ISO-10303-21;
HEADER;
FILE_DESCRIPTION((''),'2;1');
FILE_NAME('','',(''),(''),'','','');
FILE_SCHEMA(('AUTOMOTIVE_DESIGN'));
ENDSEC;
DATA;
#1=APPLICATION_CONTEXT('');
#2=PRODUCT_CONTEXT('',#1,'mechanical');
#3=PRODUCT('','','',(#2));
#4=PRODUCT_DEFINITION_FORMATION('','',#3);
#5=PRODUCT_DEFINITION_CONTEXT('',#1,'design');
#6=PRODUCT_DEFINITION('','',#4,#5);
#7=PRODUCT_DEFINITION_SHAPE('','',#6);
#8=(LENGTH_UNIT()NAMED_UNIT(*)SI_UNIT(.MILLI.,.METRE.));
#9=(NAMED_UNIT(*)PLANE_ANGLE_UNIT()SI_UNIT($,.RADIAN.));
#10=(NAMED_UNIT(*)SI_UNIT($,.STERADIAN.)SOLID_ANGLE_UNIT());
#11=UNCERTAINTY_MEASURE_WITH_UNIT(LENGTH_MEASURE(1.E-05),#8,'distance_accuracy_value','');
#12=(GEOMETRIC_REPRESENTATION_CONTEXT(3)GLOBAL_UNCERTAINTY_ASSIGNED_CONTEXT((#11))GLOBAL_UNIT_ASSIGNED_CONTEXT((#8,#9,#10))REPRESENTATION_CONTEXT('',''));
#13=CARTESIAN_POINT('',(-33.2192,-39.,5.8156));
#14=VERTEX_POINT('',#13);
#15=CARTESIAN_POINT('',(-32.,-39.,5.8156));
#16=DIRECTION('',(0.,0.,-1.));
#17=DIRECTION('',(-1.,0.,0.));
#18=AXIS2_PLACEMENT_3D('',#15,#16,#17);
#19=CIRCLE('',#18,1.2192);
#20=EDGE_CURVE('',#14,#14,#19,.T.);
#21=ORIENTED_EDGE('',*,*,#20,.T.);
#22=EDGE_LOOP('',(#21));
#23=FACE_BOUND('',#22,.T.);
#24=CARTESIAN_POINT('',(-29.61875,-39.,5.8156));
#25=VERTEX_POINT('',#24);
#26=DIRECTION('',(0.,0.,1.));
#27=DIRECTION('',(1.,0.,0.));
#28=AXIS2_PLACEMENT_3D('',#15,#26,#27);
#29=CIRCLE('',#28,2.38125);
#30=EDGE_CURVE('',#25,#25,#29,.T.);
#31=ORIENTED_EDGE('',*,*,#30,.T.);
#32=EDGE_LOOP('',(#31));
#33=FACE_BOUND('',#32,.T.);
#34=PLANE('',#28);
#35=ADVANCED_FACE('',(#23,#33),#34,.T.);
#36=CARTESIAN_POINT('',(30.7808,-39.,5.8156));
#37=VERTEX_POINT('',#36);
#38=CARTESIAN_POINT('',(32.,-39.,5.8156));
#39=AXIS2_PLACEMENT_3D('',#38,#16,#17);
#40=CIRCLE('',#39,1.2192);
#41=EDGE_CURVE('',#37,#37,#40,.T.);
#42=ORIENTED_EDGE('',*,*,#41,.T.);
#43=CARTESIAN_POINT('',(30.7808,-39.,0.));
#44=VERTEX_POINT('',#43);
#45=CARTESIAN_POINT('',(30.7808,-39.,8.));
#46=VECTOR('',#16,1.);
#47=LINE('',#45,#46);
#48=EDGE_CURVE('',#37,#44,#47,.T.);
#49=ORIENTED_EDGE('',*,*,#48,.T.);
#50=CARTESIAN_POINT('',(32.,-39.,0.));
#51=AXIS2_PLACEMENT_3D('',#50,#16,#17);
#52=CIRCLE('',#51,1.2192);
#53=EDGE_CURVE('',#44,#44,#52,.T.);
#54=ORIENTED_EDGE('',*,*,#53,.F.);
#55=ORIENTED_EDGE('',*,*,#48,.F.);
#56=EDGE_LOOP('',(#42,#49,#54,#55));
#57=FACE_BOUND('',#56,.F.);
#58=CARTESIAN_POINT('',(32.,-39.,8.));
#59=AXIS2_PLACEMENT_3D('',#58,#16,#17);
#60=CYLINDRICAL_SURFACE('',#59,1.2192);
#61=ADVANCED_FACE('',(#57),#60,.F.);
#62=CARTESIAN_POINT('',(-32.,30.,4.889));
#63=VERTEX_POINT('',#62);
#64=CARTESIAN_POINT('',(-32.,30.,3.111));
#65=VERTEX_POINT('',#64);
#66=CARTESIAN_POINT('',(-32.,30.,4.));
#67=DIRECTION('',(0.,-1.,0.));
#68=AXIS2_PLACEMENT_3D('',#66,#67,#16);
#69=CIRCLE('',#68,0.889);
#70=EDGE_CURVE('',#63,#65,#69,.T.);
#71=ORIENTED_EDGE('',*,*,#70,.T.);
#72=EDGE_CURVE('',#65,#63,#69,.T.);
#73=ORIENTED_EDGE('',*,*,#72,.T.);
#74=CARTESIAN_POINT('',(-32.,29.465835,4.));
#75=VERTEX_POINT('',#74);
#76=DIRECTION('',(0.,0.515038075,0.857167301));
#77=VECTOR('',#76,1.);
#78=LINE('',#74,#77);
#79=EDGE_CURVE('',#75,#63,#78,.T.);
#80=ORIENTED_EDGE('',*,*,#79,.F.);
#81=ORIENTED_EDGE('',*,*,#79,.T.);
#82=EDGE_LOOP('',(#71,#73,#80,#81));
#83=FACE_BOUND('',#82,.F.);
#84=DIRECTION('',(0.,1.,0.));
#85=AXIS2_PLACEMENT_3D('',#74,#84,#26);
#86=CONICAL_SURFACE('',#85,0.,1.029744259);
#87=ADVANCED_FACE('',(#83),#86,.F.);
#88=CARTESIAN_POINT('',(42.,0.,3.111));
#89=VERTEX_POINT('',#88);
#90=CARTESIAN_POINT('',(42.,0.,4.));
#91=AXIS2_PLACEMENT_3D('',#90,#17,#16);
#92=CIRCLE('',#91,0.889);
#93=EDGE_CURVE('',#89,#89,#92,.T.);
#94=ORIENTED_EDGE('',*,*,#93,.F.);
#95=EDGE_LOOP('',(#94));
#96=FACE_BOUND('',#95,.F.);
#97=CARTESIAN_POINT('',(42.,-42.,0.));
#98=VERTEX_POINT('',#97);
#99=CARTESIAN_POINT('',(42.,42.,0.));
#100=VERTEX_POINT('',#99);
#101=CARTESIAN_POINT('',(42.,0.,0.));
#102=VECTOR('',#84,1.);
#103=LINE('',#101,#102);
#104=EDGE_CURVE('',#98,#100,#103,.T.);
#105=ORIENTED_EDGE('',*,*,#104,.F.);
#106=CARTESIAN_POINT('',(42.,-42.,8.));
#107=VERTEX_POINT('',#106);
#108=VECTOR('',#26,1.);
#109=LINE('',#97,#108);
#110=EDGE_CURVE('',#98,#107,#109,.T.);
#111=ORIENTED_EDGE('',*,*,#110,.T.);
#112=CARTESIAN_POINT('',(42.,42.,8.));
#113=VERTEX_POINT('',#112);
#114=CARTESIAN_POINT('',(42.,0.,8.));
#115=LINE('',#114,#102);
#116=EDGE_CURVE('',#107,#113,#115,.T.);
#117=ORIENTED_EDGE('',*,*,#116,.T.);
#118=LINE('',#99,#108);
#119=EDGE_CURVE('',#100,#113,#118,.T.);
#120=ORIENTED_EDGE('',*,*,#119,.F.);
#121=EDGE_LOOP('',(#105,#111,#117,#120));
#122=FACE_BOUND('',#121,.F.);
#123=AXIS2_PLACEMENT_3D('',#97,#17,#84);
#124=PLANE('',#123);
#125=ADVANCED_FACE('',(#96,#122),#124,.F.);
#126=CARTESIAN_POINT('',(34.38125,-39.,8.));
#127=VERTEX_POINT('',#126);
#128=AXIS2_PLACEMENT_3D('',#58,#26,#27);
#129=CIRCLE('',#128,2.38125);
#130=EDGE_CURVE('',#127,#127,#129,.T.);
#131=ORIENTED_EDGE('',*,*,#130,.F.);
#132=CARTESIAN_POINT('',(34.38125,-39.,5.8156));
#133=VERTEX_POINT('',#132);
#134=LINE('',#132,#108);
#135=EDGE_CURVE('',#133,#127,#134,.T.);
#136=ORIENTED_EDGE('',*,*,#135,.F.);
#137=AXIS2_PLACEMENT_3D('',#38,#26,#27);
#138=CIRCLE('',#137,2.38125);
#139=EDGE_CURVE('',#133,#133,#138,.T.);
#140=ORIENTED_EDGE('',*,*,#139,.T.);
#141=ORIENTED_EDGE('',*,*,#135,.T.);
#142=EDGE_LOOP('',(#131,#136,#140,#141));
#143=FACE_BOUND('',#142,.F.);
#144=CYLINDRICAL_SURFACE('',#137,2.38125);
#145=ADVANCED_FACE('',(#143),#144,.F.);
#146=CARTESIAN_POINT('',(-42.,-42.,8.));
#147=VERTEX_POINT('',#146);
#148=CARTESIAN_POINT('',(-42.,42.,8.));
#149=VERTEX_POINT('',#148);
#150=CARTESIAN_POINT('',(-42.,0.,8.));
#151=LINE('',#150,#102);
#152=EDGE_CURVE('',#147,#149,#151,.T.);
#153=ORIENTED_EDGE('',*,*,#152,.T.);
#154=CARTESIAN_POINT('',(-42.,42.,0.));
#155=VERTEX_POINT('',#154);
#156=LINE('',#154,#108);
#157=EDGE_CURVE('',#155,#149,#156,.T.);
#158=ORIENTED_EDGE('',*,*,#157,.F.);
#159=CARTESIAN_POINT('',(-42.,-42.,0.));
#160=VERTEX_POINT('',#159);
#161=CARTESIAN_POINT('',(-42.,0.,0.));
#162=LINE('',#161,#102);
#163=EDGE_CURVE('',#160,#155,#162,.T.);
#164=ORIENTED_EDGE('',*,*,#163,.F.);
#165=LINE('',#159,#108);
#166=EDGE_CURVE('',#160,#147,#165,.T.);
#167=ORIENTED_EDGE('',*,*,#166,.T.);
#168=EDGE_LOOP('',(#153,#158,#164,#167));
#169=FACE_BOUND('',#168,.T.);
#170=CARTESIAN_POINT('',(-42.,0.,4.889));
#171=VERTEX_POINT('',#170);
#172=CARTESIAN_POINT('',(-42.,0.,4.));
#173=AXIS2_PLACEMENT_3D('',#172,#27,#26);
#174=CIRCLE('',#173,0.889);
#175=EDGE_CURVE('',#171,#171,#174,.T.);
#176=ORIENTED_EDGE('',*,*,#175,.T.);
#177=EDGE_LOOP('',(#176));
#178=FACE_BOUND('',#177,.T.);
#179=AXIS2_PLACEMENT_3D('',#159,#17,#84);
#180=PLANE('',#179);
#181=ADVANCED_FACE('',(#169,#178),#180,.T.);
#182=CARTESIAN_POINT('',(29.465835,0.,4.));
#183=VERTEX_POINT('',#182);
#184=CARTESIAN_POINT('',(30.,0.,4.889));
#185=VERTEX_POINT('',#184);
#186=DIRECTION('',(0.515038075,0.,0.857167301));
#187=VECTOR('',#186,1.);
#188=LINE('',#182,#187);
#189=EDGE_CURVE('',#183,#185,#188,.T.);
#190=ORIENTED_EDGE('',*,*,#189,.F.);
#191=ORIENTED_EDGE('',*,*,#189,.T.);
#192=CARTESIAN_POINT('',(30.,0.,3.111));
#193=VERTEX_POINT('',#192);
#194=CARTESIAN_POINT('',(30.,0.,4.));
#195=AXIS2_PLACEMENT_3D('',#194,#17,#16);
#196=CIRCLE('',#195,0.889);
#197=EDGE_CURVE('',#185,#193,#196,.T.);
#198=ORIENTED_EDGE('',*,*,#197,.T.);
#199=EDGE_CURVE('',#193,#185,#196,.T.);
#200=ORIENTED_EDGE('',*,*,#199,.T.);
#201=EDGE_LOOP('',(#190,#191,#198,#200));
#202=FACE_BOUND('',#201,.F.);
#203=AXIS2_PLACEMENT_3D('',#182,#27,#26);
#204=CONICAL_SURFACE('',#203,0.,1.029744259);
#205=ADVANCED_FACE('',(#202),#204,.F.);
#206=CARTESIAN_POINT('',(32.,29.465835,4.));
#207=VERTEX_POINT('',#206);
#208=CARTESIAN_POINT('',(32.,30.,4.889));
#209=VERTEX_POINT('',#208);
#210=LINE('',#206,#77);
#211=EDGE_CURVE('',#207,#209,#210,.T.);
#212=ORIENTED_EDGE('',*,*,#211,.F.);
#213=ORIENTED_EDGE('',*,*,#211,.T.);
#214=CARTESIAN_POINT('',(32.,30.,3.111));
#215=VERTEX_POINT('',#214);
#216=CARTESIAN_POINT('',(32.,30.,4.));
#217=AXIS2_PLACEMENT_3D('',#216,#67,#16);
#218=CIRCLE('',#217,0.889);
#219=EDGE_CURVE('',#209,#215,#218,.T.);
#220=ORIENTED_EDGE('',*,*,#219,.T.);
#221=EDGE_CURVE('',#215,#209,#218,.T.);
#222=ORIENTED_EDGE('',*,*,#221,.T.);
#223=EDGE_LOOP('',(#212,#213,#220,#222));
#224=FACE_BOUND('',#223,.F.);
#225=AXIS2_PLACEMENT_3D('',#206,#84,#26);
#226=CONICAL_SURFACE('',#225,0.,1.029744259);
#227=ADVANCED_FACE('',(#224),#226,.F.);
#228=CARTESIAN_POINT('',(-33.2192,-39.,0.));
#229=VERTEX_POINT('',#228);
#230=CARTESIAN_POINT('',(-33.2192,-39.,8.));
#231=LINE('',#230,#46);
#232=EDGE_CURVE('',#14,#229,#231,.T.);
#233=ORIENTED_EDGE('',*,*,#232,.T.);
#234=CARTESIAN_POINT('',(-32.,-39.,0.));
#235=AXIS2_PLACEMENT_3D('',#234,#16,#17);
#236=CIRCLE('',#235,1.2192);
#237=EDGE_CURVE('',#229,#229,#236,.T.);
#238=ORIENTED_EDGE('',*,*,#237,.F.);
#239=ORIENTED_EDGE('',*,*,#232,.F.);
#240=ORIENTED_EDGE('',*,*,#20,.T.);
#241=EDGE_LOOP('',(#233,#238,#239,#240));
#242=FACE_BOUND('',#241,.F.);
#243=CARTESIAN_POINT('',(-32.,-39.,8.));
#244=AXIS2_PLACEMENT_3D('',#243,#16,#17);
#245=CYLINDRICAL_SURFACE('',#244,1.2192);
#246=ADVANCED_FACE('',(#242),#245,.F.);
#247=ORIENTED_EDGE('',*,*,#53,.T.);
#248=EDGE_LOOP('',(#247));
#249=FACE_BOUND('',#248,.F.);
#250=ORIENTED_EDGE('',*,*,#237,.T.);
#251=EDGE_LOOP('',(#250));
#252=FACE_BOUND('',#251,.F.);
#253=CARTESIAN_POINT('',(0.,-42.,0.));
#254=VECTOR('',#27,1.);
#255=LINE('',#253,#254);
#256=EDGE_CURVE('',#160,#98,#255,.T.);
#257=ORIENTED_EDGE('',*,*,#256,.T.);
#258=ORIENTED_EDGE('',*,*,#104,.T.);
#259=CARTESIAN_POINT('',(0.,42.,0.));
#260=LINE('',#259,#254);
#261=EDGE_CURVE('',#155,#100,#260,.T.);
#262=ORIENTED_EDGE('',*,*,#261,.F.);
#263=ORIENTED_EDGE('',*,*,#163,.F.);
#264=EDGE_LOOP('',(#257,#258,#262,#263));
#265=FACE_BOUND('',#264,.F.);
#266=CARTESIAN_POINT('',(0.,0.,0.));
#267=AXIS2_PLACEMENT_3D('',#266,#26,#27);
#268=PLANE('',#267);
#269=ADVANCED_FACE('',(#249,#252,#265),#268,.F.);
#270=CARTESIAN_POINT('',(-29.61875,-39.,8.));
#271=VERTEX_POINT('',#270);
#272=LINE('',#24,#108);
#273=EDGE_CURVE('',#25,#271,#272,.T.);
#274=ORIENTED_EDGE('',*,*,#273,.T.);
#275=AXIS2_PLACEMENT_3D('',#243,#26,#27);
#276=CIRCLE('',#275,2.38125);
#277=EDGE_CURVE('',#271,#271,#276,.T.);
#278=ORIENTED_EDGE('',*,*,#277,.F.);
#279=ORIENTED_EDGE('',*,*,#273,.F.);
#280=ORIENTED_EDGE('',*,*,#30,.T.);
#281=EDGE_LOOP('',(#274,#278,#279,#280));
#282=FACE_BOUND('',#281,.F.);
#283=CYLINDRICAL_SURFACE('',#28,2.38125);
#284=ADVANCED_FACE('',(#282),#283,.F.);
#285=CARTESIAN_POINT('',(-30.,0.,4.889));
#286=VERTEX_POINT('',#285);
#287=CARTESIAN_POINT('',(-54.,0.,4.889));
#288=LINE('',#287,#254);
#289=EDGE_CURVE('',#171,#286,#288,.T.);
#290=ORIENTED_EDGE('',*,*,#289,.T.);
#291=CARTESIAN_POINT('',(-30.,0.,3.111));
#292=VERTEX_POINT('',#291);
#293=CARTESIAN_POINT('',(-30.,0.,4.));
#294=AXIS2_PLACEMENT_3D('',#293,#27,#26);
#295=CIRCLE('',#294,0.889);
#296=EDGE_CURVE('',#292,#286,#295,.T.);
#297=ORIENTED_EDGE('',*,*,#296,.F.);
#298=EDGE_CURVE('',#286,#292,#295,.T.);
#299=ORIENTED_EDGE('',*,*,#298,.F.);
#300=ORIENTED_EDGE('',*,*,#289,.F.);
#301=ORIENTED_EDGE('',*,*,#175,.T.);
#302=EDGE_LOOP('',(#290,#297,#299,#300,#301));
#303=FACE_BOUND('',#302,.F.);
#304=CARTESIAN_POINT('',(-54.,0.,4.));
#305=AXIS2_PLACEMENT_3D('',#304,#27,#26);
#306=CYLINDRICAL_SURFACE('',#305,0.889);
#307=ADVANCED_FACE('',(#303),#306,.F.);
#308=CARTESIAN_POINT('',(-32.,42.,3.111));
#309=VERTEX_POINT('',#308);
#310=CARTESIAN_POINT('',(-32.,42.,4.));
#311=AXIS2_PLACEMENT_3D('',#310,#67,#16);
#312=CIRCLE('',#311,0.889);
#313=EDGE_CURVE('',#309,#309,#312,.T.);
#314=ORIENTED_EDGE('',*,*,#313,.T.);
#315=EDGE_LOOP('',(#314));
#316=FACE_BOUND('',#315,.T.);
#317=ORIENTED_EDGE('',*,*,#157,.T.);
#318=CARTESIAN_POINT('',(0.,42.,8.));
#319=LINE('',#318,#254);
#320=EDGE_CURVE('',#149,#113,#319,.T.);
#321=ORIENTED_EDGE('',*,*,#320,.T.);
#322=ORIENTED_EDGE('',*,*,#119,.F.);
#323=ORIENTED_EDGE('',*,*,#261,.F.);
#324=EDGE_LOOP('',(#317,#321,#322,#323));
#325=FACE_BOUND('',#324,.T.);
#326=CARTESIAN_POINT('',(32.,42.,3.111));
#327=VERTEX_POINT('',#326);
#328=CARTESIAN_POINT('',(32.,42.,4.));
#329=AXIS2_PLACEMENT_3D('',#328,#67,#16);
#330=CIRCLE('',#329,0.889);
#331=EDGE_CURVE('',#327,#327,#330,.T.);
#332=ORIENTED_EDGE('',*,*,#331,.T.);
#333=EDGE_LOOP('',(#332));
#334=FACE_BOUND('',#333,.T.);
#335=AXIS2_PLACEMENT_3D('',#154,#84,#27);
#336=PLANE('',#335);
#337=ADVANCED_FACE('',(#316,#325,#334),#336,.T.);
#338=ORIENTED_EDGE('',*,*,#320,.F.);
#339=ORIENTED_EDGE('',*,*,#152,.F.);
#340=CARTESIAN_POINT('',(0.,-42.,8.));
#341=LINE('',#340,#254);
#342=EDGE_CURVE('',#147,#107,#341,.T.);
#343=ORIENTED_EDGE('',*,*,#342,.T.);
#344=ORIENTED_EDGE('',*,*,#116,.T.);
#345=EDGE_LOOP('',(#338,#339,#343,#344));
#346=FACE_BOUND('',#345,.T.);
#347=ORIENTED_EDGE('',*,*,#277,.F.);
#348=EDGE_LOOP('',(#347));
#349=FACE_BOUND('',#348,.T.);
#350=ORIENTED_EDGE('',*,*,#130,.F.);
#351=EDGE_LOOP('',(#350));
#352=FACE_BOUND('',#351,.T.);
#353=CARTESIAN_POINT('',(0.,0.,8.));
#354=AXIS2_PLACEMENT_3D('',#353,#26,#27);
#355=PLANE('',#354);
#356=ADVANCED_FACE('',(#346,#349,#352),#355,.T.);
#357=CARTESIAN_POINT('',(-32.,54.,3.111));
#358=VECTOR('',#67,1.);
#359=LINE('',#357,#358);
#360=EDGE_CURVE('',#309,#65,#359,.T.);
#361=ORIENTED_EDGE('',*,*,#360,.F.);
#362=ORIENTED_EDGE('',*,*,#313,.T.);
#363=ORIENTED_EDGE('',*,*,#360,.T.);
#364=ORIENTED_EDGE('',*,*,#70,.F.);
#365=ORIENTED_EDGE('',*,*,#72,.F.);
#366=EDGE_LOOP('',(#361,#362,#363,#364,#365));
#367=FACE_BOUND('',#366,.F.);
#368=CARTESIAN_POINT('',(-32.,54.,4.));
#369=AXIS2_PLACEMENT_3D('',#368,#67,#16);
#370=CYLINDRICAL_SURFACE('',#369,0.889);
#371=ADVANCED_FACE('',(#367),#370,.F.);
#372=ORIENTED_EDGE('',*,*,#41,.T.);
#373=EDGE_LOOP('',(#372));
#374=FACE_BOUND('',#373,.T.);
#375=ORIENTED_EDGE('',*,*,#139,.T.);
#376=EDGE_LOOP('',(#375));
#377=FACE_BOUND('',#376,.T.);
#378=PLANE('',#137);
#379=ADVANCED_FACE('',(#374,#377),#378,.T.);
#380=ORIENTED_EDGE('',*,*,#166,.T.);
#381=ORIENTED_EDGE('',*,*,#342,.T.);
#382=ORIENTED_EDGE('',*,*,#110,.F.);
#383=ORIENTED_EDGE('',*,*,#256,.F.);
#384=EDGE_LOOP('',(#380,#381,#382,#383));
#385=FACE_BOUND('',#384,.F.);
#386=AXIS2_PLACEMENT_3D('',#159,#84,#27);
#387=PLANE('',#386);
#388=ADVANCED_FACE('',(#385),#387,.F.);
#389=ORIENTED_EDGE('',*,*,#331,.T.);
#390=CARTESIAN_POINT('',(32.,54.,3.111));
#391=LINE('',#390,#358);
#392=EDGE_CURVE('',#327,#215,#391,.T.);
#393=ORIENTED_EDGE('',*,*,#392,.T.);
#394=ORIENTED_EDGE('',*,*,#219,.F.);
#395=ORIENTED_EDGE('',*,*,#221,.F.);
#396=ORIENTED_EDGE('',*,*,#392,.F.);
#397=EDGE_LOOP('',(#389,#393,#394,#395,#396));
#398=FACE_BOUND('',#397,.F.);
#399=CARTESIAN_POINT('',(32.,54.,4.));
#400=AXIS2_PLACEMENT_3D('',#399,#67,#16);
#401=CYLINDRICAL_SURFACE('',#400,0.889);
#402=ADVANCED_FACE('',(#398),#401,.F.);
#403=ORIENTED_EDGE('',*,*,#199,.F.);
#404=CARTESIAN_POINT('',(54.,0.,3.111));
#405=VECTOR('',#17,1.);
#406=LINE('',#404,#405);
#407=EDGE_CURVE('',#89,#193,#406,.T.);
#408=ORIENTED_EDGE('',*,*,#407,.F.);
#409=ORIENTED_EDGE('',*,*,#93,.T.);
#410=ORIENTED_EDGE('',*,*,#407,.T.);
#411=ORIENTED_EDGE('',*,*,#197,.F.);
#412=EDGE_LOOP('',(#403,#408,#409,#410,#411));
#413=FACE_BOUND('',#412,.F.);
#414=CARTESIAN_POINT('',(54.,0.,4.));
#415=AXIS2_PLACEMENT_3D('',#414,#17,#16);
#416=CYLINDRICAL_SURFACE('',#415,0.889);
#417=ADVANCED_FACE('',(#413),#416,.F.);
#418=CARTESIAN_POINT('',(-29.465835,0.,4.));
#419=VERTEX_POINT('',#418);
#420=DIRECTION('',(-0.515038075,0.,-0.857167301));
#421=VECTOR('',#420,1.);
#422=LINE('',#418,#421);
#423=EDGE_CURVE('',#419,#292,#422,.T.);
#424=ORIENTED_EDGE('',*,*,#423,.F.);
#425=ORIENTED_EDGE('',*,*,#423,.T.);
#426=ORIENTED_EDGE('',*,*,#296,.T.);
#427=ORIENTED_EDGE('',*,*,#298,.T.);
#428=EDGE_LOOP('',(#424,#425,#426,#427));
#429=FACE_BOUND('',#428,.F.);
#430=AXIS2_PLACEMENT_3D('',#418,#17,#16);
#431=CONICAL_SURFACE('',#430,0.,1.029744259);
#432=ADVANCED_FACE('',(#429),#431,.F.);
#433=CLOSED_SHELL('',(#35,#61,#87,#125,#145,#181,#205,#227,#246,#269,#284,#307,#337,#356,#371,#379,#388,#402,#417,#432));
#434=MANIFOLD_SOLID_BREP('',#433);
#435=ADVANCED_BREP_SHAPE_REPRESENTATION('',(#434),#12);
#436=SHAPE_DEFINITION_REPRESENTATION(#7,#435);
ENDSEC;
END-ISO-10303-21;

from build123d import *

# Parameters (mm, degrees)
SKETCH1_W                                      = 84
SKETCH1_H                                      = 84
BOSS_EXTRUDE1_DEPTH                            = 8
CBORE_FOR_2_SOCKET_HEAD_CAP_SCREW1_D           = 2.4384
CBORE_FOR_2_SOCKET_HEAD_CAP_SCREW1_DEPTH       = 8
CBORE_FOR_2_SOCKET_HEAD_CAP_SCREW1_CBORE_D     = 4.7625
CBORE_FOR_2_SOCKET_HEAD_CAP_SCREW1_CBORE_DEPTH = 2.1844
F_2_56_TAPPED_HOLE1_D                          = 1.778
F_2_56_TAPPED_HOLE1_DEPTH                      = 12
F_2_56_TAPPED_HOLE1_TIP                        = 0.53416509
F_2_56_TAPPED_HOLE2_D                          = 1.778
F_2_56_TAPPED_HOLE2_DEPTH                      = 12
F_2_56_TAPPED_HOLE2_TIP                        = 0.53416509
F_2_56_TAPPED_HOLE3_D                          = 1.778
F_2_56_TAPPED_HOLE3_DEPTH                      = 12
F_2_56_TAPPED_HOLE3_TIP                        = 0.53416509


with BuildPart() as part:
    # Sketch1 → Boss-Extrude1 (new body)
    with BuildSketch(Plane.XY):
        Rectangle(SKETCH1_W, SKETCH1_H)
    extrude(amount=BOSS_EXTRUDE1_DEPTH)

    # CBORE for #2 Socket Head Cap Screw1
    with Locations(Plane(origin=(-32, -39, 8), x_dir=(1, 0, 0), z_dir=(0, 0, 1))):
        with Locations((0, 0), (64, 0)):
            CounterBoreHole(CBORE_FOR_2_SOCKET_HEAD_CAP_SCREW1_D / 2, CBORE_FOR_2_SOCKET_HEAD_CAP_SCREW1_CBORE_D / 2, CBORE_FOR_2_SOCKET_HEAD_CAP_SCREW1_CBORE_DEPTH, depth=CBORE_FOR_2_SOCKET_HEAD_CAP_SCREW1_DEPTH)

    # #2-56 Tapped Hole1
    with Locations(Plane(origin=(42, 0, 4), x_dir=(0, 0, 1), z_dir=(1, 0, 0))):
        with Locations((0, 0)):
            Hole(F_2_56_TAPPED_HOLE1_D / 2, depth=F_2_56_TAPPED_HOLE1_DEPTH)
            with Locations((0, 0, -(F_2_56_TAPPED_HOLE1_DEPTH + F_2_56_TAPPED_HOLE1_TIP / 2))):  # 118° drill point
                Cone(0, F_2_56_TAPPED_HOLE1_D / 2, F_2_56_TAPPED_HOLE1_TIP, mode=Mode.SUBTRACT)

    # #2-56 Tapped Hole2
    with Locations(Plane(origin=(-42, 0, 4), x_dir=(0, 0, -1), z_dir=(-1, 0, 0))):
        with Locations((0, 0)):
            Hole(F_2_56_TAPPED_HOLE2_D / 2, depth=F_2_56_TAPPED_HOLE2_DEPTH)
            with Locations((0, 0, -(F_2_56_TAPPED_HOLE2_DEPTH + F_2_56_TAPPED_HOLE2_TIP / 2))):  # 118° drill point
                Cone(0, F_2_56_TAPPED_HOLE2_D / 2, F_2_56_TAPPED_HOLE2_TIP, mode=Mode.SUBTRACT)

    # #2-56 Tapped Hole3
    with Locations(Plane(origin=(-32, 42, 4), x_dir=(0, 0, 1), z_dir=(0, 1, 0))):
        with Locations((0, 0), (0, 64)):
            Hole(F_2_56_TAPPED_HOLE3_D / 2, depth=F_2_56_TAPPED_HOLE3_DEPTH)
            with Locations((0, 0, -(F_2_56_TAPPED_HOLE3_DEPTH + F_2_56_TAPPED_HOLE3_TIP / 2))):  # 118° drill point
                Cone(0, F_2_56_TAPPED_HOLE3_D / 2, F_2_56_TAPPED_HOLE3_TIP, mode=Mode.SUBTRACT)


solid = part.part
